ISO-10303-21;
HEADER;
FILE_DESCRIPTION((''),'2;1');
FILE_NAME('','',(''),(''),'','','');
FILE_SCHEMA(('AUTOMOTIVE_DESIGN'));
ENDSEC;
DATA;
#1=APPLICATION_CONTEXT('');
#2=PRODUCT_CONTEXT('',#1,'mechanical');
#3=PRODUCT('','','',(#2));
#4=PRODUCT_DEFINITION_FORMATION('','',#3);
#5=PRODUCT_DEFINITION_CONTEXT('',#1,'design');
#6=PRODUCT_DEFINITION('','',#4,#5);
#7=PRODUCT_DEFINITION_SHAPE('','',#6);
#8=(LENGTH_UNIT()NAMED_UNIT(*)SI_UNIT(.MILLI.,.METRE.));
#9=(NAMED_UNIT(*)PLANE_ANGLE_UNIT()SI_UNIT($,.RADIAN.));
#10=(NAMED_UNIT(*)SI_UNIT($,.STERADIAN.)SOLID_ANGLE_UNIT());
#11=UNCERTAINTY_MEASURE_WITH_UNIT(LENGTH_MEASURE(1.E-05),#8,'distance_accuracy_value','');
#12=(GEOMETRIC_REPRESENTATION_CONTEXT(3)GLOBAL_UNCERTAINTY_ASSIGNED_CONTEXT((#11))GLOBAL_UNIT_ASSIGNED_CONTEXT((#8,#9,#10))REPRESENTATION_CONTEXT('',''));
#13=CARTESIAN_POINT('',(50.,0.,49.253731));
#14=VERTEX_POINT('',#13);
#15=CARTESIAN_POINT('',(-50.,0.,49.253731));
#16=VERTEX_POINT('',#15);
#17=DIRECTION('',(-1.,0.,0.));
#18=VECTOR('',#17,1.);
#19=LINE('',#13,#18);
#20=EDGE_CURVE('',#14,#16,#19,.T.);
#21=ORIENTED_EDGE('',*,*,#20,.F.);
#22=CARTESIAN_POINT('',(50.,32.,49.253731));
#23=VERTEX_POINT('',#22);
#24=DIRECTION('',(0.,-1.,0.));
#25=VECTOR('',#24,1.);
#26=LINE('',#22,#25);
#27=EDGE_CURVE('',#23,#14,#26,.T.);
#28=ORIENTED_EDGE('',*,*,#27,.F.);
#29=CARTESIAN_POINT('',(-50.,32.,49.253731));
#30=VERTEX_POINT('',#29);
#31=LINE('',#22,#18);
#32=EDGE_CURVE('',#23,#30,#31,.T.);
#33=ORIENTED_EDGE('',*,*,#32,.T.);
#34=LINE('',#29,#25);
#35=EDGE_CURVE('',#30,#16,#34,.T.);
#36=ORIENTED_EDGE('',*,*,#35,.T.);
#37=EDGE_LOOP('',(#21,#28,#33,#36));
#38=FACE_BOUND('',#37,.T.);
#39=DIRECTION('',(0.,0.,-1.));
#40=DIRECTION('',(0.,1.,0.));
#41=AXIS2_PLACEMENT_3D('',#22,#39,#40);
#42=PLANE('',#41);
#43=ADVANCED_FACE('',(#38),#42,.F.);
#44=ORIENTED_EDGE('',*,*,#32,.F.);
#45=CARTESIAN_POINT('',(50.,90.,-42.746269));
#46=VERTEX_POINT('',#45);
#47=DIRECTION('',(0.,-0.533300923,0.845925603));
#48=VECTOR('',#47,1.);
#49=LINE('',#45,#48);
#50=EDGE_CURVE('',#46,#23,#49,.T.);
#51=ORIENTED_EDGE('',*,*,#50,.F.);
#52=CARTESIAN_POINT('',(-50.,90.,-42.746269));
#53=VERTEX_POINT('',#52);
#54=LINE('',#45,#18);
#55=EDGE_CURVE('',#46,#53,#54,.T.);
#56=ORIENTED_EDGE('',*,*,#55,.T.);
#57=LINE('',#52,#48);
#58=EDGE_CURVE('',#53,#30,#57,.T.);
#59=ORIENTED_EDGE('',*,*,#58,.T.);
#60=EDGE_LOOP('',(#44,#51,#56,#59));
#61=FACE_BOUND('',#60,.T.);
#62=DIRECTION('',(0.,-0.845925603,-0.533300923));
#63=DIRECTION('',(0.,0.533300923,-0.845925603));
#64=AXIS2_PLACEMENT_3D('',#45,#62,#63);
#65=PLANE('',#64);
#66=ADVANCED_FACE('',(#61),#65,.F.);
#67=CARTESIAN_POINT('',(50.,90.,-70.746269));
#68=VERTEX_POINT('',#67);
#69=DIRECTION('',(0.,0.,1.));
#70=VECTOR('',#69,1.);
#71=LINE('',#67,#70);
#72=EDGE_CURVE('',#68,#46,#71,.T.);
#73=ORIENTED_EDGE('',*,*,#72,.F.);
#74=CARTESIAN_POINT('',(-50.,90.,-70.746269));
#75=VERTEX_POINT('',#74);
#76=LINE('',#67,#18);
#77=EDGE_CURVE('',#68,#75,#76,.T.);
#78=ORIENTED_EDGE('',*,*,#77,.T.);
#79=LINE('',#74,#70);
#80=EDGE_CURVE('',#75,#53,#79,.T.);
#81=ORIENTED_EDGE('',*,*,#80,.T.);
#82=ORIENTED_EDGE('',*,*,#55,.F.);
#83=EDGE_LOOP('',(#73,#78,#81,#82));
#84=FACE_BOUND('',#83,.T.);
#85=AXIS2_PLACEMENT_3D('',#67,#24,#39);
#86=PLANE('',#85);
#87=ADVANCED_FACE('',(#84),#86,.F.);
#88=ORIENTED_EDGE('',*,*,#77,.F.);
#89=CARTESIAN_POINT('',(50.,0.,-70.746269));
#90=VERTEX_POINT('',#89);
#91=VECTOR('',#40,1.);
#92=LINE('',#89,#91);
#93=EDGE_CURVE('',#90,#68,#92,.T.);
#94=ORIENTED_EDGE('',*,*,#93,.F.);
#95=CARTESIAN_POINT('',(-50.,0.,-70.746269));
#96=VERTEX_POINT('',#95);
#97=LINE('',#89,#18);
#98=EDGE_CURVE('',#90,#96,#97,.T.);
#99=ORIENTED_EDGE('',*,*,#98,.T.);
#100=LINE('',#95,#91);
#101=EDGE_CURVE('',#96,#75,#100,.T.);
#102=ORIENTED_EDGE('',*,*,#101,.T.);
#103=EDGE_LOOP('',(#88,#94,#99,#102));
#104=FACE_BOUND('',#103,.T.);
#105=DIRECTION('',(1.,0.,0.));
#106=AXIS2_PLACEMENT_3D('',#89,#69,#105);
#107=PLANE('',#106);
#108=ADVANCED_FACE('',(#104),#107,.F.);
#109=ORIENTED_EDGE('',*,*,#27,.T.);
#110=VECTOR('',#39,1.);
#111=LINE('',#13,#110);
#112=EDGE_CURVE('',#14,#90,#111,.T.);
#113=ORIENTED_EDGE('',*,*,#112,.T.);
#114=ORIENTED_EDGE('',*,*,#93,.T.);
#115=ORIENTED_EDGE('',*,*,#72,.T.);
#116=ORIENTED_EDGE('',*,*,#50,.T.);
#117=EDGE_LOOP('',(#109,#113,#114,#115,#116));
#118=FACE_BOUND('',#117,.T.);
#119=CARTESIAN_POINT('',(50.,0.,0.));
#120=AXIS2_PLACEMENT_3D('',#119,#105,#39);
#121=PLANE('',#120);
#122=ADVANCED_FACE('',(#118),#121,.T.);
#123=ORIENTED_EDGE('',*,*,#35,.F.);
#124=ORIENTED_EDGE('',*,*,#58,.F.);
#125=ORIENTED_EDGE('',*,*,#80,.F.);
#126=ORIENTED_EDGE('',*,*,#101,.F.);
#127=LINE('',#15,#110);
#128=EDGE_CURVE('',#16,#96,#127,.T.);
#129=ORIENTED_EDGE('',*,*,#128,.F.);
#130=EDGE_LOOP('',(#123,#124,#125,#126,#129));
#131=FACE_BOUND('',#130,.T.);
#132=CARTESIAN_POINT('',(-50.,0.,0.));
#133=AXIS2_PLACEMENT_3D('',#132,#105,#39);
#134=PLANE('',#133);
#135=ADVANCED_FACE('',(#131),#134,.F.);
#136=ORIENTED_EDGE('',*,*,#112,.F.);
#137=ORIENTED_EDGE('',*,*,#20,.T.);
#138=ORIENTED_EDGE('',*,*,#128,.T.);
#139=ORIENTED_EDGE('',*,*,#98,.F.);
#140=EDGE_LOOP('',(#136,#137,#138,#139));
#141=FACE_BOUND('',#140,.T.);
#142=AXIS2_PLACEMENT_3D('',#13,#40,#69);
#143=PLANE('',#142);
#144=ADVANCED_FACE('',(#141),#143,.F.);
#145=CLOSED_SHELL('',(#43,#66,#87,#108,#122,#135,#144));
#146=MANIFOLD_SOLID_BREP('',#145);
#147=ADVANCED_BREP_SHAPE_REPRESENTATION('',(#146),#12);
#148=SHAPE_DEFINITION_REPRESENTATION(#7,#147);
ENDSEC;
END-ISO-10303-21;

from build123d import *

# Parameters (mm, degrees)
BOSS_EXTRU_1_DEPTH = 50


with BuildPart() as part:
    # Esquisse1 → Boss.-Extru.1 (new, symmetric)
    with BuildSketch(Plane(origin=(0, 0, 0), x_dir=(0, 0, -1), z_dir=(1, 0, 0))):
        Polygon((-49.253731343, 0), (70.746268657, 0), (70.746268657, 90), (42.746268657, 90), (-49.253731343, 32), align=None)
    extrude(amount=BOSS_EXTRU_1_DEPTH, both=True)


solid = part.part
